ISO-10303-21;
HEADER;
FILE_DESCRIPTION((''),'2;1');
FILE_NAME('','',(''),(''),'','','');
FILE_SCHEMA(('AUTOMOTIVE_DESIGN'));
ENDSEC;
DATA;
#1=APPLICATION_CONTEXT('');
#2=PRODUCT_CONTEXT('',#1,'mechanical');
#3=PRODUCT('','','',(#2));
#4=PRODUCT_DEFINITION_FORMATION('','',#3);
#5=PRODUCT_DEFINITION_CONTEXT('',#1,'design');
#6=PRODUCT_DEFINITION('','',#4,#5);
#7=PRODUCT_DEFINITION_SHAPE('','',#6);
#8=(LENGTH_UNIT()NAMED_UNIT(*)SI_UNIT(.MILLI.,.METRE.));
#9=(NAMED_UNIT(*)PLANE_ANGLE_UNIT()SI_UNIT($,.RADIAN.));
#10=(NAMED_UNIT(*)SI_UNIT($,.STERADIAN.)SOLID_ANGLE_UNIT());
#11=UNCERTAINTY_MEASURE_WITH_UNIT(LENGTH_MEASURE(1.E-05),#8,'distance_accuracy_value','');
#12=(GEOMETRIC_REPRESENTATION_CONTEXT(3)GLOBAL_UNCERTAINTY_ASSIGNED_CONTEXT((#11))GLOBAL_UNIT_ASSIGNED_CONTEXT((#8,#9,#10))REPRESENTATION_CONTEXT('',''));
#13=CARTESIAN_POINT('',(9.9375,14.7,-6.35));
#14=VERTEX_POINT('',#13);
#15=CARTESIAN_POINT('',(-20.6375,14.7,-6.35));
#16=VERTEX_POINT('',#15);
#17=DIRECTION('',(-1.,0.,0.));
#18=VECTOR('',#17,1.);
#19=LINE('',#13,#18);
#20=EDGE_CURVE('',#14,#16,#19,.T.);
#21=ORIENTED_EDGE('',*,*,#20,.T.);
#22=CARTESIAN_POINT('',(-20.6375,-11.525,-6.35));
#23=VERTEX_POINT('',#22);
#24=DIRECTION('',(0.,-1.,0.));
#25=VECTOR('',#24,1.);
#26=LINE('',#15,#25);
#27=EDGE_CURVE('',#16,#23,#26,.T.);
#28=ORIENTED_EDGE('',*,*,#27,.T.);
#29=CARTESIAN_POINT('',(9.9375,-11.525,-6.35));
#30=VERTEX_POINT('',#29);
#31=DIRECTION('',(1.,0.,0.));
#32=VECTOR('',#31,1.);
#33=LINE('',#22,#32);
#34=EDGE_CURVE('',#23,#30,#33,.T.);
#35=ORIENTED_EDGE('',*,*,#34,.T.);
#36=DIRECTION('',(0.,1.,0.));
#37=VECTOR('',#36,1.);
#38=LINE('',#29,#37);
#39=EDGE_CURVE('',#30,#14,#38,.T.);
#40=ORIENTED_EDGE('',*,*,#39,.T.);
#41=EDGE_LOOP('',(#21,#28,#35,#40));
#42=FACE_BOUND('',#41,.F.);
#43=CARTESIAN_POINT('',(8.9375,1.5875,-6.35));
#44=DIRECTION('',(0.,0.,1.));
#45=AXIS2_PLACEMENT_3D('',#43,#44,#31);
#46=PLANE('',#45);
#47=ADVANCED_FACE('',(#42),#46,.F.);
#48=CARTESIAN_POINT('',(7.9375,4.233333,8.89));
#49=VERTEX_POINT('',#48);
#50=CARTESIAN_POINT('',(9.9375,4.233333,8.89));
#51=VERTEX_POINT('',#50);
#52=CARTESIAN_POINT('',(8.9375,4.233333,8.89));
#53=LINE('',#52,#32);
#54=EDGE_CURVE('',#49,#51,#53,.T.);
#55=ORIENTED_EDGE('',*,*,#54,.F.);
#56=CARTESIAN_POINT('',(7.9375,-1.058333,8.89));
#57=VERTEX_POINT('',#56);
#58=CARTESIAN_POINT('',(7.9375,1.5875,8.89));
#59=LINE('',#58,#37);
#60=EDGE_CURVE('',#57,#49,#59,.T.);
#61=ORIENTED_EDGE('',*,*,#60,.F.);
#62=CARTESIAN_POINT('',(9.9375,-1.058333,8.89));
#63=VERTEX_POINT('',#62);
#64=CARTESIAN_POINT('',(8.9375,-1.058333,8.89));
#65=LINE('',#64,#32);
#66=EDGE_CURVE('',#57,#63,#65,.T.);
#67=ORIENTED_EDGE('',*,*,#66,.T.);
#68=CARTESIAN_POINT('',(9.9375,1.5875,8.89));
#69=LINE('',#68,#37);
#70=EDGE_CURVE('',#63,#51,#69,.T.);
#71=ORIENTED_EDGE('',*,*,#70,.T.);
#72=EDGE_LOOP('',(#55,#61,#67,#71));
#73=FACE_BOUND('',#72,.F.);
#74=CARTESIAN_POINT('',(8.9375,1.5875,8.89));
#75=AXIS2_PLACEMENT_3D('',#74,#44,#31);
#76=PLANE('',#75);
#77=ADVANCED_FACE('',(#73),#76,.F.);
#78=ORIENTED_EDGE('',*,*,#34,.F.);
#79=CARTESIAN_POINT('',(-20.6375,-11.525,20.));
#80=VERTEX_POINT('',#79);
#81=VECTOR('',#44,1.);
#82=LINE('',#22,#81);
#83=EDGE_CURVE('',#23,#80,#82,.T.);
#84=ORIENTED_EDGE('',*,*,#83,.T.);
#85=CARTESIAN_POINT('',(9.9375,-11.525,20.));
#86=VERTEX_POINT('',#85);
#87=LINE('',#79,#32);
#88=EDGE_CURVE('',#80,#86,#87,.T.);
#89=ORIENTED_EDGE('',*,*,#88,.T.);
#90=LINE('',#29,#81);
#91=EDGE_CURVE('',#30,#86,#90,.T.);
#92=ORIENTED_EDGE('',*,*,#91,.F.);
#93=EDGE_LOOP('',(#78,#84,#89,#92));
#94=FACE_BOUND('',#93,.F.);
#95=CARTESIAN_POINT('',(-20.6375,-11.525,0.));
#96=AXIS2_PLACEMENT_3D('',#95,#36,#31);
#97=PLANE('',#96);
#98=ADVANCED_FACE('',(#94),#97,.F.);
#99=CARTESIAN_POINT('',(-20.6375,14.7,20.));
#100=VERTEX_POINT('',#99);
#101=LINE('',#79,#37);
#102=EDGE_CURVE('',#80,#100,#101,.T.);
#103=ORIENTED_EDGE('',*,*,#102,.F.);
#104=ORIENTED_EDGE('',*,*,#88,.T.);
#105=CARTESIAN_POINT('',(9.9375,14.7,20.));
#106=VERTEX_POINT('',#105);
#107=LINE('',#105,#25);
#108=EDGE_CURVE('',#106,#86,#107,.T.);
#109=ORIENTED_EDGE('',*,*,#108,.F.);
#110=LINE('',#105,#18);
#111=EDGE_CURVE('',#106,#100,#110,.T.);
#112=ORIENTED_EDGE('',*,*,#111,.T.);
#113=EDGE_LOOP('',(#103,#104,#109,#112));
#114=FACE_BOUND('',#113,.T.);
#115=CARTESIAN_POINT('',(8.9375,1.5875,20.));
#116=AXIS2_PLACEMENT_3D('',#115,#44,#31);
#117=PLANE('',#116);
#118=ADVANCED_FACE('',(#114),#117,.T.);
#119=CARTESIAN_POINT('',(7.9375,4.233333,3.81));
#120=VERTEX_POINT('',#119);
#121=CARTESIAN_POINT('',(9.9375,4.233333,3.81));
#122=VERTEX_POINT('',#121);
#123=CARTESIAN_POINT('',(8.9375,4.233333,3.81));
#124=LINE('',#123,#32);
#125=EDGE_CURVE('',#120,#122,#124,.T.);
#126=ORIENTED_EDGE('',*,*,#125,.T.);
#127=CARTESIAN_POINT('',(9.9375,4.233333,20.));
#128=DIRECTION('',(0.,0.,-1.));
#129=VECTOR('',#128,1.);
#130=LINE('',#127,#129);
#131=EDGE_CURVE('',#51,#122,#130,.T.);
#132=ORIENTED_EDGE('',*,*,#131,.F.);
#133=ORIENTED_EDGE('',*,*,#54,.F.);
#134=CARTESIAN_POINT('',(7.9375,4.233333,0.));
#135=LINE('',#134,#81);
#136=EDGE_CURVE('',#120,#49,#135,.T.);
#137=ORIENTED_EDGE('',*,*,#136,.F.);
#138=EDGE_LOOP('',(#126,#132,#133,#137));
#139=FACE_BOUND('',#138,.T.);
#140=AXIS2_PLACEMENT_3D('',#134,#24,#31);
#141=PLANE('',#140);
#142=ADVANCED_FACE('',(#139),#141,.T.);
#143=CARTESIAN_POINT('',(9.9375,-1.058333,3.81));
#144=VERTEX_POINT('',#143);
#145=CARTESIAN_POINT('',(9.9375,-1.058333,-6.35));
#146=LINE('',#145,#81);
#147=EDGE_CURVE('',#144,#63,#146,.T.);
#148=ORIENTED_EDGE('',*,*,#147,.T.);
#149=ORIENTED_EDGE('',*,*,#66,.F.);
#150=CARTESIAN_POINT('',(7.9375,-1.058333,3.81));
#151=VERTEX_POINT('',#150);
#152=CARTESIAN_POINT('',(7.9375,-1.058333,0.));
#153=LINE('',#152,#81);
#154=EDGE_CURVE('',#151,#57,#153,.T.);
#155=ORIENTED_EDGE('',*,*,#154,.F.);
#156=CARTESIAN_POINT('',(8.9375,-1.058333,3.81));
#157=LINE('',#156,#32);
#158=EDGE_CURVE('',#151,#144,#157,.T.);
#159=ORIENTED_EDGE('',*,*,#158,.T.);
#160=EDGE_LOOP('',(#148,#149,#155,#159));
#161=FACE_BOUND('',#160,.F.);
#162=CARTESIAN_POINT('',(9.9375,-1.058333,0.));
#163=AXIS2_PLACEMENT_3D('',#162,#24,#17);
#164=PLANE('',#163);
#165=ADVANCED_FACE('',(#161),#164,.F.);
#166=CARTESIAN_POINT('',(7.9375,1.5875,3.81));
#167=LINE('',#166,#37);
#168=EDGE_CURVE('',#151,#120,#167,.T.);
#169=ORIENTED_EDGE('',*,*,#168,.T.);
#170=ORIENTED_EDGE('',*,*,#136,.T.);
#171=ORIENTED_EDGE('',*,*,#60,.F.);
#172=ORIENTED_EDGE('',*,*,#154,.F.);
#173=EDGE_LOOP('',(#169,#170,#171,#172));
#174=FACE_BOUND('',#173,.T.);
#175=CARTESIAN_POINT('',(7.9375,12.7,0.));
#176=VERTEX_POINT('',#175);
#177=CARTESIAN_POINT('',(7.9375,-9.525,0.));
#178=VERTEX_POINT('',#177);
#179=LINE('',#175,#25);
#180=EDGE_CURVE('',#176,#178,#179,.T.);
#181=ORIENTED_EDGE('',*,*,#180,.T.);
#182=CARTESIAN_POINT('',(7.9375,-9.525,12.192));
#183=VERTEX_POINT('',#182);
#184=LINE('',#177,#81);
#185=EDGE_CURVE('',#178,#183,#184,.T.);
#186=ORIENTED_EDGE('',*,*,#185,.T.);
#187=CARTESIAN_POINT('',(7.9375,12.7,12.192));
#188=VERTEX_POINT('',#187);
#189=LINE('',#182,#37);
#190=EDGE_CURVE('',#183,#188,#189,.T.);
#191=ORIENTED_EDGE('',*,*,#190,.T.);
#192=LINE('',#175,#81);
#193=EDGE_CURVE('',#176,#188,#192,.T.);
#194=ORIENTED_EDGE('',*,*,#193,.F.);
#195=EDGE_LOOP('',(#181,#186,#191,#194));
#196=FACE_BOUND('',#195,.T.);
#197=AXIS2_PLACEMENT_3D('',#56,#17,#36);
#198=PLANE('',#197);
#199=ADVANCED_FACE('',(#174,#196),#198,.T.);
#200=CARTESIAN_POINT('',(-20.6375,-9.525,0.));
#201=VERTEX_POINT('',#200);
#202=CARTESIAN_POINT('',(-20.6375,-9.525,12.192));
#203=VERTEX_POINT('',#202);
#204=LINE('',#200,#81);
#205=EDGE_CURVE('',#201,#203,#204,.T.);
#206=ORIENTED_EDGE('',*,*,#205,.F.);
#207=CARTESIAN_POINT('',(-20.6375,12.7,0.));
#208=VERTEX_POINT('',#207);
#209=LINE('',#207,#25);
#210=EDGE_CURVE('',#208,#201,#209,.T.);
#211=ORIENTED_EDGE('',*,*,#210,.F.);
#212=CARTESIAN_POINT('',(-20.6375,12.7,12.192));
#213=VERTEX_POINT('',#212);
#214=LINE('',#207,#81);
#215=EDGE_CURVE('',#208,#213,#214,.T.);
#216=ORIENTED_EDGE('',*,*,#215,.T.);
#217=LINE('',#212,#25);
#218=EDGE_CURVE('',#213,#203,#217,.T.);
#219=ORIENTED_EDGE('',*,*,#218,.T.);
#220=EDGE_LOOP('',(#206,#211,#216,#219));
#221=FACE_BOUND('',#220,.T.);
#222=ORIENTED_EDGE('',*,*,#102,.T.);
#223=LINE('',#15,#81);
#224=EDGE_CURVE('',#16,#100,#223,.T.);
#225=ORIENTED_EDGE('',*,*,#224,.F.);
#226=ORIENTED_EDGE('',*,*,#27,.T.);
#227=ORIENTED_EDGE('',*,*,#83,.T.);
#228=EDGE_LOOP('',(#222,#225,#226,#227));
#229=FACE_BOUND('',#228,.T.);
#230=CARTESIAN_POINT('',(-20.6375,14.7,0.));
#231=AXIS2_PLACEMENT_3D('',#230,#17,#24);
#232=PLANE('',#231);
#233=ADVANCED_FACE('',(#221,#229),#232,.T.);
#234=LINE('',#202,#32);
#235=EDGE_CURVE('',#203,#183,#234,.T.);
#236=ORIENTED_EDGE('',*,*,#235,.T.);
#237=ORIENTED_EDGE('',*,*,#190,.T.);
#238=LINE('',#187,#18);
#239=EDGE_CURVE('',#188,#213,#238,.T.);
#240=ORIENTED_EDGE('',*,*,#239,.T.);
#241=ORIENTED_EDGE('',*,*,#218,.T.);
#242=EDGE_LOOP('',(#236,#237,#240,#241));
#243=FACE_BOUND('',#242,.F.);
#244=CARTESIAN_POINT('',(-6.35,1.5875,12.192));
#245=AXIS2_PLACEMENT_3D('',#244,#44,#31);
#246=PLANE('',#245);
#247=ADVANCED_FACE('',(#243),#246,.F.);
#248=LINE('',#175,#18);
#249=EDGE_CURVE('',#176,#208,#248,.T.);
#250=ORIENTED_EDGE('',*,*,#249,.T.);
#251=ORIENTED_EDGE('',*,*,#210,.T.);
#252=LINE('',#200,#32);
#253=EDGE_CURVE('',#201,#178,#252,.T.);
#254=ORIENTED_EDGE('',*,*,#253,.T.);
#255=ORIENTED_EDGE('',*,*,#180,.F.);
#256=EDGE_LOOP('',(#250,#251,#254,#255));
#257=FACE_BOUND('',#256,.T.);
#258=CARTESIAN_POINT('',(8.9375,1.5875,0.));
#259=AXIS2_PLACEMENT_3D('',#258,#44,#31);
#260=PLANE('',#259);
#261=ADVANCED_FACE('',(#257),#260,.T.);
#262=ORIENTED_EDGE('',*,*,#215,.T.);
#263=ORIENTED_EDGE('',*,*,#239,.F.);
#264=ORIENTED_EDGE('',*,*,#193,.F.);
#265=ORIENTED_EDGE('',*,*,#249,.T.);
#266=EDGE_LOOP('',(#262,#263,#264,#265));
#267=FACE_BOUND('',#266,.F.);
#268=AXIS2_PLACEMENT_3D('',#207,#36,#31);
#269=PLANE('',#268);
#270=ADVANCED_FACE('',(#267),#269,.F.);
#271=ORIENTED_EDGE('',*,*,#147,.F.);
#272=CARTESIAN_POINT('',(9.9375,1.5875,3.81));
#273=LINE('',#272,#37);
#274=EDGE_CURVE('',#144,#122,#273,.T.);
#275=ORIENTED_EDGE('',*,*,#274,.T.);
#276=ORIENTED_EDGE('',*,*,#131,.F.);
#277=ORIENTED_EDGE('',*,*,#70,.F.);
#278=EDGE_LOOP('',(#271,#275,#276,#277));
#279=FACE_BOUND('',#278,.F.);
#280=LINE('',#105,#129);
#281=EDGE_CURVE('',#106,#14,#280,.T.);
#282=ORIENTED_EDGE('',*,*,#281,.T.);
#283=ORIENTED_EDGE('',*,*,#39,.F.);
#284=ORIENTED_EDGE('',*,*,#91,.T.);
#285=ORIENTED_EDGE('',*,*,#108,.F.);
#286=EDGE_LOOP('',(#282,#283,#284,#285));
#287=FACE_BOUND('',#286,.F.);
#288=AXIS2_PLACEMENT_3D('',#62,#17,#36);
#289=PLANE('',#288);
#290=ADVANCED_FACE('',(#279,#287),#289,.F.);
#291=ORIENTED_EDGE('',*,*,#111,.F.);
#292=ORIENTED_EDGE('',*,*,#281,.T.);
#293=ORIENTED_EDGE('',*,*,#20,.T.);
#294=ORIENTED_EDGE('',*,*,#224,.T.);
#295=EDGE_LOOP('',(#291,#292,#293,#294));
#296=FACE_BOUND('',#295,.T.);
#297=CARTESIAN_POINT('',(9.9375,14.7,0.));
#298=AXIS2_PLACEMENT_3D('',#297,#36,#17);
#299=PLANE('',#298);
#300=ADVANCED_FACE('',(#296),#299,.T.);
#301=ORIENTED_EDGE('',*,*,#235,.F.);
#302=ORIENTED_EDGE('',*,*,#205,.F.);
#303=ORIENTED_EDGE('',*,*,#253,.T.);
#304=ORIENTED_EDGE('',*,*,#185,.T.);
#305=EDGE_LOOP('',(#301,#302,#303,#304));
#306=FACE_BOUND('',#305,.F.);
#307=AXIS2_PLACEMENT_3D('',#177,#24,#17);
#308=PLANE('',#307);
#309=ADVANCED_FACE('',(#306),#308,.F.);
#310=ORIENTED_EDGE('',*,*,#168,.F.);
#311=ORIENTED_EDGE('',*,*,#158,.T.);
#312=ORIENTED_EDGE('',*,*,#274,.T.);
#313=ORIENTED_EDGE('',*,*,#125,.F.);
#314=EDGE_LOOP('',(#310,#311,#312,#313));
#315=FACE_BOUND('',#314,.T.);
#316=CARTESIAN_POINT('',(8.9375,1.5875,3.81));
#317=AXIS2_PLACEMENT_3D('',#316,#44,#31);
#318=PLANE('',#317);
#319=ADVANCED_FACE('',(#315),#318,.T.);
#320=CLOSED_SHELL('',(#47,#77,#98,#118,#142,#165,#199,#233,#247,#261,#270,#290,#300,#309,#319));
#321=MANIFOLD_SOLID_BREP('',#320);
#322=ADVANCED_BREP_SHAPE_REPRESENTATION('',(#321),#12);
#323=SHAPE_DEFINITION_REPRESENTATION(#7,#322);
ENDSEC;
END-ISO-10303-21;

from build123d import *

# Parameters (mm, degrees)
F1_START      = 12.192
F1_DEPTH      = 7.808
F2_DEPTH      = 6.35
F3_DEPTH      = 20
F3_DEPTH_BACK = 6.35
F0_W          = 2
F0_H          = 5.2916666667
F4_DEPTH      = 6.35
F4_DEPTH_BACK = 3.81
F5_START      = 8.89
F5_DEPTH      = 11.11


with BuildPart() as f1:
    # F0 (on Top) → F1 (new body)
    with BuildSketch(Plane.XY.offset(F1_START)):
        Polygon((7.9375, 12.7), (-20.6375, 12.7), (-20.6375, -9.525), (7.9375, -9.525), (7.9375, -1.0583333333), (7.9375, 4.2333333333), align=None)
    extrude(amount=F1_DEPTH)



with BuildPart() as f2:
    # F0 (on Top) → F2 (new body)
    with BuildSketch(Plane.XY):
        Polygon((7.9375, 12.7), (-20.6375, 12.7), (-20.6375, -9.525), (7.9375, -9.525), (7.9375, -1.0583333333), (7.9375, 4.2333333333), align=None)
    extrude(amount=-F2_DEPTH)


with BuildPart() as f1_1:
    add(f1.part)

    add(f2.part)  # F3 merges F2
    # F0 (on Top) → F3 (join, two sides)
    with BuildSketch(Plane.XY) as f3_sk:
        Polygon((9.9375, 14.7), (-20.6375, 14.7), (-20.6375, 12.7), (7.9375, 12.7), (7.9375, 4.2333333333), (9.9375, 4.2333333333), align=None)
        Polygon((7.9375, -9.525), (-20.6375, -9.525), (-20.6375, -11.525), (9.9375, -11.525), (9.9375, -1.0583333333), (7.9375, -1.0583333333), align=None)
    extrude(amount=F3_DEPTH)
    extrude(f3_sk.sketch, amount=-F3_DEPTH_BACK)

    # F0 (on Top) → F4 (join, two sides)
    with BuildSketch(Plane.XY) as f4_sk:
        with Locations((8.9375, 1.5875)):
            Rectangle(F0_W, F0_H)
    extrude(amount=-F4_DEPTH)
    extrude(f4_sk.sketch, amount=F4_DEPTH_BACK)

    # F0 (on Top) → F5 (join)
    with BuildSketch(Plane.XY.offset(F5_START)):
        with Locations((8.9375, 1.5875)):
            Rectangle(F0_W, F0_H)
    extrude(amount=F5_DEPTH)


solid = f1_1.part
